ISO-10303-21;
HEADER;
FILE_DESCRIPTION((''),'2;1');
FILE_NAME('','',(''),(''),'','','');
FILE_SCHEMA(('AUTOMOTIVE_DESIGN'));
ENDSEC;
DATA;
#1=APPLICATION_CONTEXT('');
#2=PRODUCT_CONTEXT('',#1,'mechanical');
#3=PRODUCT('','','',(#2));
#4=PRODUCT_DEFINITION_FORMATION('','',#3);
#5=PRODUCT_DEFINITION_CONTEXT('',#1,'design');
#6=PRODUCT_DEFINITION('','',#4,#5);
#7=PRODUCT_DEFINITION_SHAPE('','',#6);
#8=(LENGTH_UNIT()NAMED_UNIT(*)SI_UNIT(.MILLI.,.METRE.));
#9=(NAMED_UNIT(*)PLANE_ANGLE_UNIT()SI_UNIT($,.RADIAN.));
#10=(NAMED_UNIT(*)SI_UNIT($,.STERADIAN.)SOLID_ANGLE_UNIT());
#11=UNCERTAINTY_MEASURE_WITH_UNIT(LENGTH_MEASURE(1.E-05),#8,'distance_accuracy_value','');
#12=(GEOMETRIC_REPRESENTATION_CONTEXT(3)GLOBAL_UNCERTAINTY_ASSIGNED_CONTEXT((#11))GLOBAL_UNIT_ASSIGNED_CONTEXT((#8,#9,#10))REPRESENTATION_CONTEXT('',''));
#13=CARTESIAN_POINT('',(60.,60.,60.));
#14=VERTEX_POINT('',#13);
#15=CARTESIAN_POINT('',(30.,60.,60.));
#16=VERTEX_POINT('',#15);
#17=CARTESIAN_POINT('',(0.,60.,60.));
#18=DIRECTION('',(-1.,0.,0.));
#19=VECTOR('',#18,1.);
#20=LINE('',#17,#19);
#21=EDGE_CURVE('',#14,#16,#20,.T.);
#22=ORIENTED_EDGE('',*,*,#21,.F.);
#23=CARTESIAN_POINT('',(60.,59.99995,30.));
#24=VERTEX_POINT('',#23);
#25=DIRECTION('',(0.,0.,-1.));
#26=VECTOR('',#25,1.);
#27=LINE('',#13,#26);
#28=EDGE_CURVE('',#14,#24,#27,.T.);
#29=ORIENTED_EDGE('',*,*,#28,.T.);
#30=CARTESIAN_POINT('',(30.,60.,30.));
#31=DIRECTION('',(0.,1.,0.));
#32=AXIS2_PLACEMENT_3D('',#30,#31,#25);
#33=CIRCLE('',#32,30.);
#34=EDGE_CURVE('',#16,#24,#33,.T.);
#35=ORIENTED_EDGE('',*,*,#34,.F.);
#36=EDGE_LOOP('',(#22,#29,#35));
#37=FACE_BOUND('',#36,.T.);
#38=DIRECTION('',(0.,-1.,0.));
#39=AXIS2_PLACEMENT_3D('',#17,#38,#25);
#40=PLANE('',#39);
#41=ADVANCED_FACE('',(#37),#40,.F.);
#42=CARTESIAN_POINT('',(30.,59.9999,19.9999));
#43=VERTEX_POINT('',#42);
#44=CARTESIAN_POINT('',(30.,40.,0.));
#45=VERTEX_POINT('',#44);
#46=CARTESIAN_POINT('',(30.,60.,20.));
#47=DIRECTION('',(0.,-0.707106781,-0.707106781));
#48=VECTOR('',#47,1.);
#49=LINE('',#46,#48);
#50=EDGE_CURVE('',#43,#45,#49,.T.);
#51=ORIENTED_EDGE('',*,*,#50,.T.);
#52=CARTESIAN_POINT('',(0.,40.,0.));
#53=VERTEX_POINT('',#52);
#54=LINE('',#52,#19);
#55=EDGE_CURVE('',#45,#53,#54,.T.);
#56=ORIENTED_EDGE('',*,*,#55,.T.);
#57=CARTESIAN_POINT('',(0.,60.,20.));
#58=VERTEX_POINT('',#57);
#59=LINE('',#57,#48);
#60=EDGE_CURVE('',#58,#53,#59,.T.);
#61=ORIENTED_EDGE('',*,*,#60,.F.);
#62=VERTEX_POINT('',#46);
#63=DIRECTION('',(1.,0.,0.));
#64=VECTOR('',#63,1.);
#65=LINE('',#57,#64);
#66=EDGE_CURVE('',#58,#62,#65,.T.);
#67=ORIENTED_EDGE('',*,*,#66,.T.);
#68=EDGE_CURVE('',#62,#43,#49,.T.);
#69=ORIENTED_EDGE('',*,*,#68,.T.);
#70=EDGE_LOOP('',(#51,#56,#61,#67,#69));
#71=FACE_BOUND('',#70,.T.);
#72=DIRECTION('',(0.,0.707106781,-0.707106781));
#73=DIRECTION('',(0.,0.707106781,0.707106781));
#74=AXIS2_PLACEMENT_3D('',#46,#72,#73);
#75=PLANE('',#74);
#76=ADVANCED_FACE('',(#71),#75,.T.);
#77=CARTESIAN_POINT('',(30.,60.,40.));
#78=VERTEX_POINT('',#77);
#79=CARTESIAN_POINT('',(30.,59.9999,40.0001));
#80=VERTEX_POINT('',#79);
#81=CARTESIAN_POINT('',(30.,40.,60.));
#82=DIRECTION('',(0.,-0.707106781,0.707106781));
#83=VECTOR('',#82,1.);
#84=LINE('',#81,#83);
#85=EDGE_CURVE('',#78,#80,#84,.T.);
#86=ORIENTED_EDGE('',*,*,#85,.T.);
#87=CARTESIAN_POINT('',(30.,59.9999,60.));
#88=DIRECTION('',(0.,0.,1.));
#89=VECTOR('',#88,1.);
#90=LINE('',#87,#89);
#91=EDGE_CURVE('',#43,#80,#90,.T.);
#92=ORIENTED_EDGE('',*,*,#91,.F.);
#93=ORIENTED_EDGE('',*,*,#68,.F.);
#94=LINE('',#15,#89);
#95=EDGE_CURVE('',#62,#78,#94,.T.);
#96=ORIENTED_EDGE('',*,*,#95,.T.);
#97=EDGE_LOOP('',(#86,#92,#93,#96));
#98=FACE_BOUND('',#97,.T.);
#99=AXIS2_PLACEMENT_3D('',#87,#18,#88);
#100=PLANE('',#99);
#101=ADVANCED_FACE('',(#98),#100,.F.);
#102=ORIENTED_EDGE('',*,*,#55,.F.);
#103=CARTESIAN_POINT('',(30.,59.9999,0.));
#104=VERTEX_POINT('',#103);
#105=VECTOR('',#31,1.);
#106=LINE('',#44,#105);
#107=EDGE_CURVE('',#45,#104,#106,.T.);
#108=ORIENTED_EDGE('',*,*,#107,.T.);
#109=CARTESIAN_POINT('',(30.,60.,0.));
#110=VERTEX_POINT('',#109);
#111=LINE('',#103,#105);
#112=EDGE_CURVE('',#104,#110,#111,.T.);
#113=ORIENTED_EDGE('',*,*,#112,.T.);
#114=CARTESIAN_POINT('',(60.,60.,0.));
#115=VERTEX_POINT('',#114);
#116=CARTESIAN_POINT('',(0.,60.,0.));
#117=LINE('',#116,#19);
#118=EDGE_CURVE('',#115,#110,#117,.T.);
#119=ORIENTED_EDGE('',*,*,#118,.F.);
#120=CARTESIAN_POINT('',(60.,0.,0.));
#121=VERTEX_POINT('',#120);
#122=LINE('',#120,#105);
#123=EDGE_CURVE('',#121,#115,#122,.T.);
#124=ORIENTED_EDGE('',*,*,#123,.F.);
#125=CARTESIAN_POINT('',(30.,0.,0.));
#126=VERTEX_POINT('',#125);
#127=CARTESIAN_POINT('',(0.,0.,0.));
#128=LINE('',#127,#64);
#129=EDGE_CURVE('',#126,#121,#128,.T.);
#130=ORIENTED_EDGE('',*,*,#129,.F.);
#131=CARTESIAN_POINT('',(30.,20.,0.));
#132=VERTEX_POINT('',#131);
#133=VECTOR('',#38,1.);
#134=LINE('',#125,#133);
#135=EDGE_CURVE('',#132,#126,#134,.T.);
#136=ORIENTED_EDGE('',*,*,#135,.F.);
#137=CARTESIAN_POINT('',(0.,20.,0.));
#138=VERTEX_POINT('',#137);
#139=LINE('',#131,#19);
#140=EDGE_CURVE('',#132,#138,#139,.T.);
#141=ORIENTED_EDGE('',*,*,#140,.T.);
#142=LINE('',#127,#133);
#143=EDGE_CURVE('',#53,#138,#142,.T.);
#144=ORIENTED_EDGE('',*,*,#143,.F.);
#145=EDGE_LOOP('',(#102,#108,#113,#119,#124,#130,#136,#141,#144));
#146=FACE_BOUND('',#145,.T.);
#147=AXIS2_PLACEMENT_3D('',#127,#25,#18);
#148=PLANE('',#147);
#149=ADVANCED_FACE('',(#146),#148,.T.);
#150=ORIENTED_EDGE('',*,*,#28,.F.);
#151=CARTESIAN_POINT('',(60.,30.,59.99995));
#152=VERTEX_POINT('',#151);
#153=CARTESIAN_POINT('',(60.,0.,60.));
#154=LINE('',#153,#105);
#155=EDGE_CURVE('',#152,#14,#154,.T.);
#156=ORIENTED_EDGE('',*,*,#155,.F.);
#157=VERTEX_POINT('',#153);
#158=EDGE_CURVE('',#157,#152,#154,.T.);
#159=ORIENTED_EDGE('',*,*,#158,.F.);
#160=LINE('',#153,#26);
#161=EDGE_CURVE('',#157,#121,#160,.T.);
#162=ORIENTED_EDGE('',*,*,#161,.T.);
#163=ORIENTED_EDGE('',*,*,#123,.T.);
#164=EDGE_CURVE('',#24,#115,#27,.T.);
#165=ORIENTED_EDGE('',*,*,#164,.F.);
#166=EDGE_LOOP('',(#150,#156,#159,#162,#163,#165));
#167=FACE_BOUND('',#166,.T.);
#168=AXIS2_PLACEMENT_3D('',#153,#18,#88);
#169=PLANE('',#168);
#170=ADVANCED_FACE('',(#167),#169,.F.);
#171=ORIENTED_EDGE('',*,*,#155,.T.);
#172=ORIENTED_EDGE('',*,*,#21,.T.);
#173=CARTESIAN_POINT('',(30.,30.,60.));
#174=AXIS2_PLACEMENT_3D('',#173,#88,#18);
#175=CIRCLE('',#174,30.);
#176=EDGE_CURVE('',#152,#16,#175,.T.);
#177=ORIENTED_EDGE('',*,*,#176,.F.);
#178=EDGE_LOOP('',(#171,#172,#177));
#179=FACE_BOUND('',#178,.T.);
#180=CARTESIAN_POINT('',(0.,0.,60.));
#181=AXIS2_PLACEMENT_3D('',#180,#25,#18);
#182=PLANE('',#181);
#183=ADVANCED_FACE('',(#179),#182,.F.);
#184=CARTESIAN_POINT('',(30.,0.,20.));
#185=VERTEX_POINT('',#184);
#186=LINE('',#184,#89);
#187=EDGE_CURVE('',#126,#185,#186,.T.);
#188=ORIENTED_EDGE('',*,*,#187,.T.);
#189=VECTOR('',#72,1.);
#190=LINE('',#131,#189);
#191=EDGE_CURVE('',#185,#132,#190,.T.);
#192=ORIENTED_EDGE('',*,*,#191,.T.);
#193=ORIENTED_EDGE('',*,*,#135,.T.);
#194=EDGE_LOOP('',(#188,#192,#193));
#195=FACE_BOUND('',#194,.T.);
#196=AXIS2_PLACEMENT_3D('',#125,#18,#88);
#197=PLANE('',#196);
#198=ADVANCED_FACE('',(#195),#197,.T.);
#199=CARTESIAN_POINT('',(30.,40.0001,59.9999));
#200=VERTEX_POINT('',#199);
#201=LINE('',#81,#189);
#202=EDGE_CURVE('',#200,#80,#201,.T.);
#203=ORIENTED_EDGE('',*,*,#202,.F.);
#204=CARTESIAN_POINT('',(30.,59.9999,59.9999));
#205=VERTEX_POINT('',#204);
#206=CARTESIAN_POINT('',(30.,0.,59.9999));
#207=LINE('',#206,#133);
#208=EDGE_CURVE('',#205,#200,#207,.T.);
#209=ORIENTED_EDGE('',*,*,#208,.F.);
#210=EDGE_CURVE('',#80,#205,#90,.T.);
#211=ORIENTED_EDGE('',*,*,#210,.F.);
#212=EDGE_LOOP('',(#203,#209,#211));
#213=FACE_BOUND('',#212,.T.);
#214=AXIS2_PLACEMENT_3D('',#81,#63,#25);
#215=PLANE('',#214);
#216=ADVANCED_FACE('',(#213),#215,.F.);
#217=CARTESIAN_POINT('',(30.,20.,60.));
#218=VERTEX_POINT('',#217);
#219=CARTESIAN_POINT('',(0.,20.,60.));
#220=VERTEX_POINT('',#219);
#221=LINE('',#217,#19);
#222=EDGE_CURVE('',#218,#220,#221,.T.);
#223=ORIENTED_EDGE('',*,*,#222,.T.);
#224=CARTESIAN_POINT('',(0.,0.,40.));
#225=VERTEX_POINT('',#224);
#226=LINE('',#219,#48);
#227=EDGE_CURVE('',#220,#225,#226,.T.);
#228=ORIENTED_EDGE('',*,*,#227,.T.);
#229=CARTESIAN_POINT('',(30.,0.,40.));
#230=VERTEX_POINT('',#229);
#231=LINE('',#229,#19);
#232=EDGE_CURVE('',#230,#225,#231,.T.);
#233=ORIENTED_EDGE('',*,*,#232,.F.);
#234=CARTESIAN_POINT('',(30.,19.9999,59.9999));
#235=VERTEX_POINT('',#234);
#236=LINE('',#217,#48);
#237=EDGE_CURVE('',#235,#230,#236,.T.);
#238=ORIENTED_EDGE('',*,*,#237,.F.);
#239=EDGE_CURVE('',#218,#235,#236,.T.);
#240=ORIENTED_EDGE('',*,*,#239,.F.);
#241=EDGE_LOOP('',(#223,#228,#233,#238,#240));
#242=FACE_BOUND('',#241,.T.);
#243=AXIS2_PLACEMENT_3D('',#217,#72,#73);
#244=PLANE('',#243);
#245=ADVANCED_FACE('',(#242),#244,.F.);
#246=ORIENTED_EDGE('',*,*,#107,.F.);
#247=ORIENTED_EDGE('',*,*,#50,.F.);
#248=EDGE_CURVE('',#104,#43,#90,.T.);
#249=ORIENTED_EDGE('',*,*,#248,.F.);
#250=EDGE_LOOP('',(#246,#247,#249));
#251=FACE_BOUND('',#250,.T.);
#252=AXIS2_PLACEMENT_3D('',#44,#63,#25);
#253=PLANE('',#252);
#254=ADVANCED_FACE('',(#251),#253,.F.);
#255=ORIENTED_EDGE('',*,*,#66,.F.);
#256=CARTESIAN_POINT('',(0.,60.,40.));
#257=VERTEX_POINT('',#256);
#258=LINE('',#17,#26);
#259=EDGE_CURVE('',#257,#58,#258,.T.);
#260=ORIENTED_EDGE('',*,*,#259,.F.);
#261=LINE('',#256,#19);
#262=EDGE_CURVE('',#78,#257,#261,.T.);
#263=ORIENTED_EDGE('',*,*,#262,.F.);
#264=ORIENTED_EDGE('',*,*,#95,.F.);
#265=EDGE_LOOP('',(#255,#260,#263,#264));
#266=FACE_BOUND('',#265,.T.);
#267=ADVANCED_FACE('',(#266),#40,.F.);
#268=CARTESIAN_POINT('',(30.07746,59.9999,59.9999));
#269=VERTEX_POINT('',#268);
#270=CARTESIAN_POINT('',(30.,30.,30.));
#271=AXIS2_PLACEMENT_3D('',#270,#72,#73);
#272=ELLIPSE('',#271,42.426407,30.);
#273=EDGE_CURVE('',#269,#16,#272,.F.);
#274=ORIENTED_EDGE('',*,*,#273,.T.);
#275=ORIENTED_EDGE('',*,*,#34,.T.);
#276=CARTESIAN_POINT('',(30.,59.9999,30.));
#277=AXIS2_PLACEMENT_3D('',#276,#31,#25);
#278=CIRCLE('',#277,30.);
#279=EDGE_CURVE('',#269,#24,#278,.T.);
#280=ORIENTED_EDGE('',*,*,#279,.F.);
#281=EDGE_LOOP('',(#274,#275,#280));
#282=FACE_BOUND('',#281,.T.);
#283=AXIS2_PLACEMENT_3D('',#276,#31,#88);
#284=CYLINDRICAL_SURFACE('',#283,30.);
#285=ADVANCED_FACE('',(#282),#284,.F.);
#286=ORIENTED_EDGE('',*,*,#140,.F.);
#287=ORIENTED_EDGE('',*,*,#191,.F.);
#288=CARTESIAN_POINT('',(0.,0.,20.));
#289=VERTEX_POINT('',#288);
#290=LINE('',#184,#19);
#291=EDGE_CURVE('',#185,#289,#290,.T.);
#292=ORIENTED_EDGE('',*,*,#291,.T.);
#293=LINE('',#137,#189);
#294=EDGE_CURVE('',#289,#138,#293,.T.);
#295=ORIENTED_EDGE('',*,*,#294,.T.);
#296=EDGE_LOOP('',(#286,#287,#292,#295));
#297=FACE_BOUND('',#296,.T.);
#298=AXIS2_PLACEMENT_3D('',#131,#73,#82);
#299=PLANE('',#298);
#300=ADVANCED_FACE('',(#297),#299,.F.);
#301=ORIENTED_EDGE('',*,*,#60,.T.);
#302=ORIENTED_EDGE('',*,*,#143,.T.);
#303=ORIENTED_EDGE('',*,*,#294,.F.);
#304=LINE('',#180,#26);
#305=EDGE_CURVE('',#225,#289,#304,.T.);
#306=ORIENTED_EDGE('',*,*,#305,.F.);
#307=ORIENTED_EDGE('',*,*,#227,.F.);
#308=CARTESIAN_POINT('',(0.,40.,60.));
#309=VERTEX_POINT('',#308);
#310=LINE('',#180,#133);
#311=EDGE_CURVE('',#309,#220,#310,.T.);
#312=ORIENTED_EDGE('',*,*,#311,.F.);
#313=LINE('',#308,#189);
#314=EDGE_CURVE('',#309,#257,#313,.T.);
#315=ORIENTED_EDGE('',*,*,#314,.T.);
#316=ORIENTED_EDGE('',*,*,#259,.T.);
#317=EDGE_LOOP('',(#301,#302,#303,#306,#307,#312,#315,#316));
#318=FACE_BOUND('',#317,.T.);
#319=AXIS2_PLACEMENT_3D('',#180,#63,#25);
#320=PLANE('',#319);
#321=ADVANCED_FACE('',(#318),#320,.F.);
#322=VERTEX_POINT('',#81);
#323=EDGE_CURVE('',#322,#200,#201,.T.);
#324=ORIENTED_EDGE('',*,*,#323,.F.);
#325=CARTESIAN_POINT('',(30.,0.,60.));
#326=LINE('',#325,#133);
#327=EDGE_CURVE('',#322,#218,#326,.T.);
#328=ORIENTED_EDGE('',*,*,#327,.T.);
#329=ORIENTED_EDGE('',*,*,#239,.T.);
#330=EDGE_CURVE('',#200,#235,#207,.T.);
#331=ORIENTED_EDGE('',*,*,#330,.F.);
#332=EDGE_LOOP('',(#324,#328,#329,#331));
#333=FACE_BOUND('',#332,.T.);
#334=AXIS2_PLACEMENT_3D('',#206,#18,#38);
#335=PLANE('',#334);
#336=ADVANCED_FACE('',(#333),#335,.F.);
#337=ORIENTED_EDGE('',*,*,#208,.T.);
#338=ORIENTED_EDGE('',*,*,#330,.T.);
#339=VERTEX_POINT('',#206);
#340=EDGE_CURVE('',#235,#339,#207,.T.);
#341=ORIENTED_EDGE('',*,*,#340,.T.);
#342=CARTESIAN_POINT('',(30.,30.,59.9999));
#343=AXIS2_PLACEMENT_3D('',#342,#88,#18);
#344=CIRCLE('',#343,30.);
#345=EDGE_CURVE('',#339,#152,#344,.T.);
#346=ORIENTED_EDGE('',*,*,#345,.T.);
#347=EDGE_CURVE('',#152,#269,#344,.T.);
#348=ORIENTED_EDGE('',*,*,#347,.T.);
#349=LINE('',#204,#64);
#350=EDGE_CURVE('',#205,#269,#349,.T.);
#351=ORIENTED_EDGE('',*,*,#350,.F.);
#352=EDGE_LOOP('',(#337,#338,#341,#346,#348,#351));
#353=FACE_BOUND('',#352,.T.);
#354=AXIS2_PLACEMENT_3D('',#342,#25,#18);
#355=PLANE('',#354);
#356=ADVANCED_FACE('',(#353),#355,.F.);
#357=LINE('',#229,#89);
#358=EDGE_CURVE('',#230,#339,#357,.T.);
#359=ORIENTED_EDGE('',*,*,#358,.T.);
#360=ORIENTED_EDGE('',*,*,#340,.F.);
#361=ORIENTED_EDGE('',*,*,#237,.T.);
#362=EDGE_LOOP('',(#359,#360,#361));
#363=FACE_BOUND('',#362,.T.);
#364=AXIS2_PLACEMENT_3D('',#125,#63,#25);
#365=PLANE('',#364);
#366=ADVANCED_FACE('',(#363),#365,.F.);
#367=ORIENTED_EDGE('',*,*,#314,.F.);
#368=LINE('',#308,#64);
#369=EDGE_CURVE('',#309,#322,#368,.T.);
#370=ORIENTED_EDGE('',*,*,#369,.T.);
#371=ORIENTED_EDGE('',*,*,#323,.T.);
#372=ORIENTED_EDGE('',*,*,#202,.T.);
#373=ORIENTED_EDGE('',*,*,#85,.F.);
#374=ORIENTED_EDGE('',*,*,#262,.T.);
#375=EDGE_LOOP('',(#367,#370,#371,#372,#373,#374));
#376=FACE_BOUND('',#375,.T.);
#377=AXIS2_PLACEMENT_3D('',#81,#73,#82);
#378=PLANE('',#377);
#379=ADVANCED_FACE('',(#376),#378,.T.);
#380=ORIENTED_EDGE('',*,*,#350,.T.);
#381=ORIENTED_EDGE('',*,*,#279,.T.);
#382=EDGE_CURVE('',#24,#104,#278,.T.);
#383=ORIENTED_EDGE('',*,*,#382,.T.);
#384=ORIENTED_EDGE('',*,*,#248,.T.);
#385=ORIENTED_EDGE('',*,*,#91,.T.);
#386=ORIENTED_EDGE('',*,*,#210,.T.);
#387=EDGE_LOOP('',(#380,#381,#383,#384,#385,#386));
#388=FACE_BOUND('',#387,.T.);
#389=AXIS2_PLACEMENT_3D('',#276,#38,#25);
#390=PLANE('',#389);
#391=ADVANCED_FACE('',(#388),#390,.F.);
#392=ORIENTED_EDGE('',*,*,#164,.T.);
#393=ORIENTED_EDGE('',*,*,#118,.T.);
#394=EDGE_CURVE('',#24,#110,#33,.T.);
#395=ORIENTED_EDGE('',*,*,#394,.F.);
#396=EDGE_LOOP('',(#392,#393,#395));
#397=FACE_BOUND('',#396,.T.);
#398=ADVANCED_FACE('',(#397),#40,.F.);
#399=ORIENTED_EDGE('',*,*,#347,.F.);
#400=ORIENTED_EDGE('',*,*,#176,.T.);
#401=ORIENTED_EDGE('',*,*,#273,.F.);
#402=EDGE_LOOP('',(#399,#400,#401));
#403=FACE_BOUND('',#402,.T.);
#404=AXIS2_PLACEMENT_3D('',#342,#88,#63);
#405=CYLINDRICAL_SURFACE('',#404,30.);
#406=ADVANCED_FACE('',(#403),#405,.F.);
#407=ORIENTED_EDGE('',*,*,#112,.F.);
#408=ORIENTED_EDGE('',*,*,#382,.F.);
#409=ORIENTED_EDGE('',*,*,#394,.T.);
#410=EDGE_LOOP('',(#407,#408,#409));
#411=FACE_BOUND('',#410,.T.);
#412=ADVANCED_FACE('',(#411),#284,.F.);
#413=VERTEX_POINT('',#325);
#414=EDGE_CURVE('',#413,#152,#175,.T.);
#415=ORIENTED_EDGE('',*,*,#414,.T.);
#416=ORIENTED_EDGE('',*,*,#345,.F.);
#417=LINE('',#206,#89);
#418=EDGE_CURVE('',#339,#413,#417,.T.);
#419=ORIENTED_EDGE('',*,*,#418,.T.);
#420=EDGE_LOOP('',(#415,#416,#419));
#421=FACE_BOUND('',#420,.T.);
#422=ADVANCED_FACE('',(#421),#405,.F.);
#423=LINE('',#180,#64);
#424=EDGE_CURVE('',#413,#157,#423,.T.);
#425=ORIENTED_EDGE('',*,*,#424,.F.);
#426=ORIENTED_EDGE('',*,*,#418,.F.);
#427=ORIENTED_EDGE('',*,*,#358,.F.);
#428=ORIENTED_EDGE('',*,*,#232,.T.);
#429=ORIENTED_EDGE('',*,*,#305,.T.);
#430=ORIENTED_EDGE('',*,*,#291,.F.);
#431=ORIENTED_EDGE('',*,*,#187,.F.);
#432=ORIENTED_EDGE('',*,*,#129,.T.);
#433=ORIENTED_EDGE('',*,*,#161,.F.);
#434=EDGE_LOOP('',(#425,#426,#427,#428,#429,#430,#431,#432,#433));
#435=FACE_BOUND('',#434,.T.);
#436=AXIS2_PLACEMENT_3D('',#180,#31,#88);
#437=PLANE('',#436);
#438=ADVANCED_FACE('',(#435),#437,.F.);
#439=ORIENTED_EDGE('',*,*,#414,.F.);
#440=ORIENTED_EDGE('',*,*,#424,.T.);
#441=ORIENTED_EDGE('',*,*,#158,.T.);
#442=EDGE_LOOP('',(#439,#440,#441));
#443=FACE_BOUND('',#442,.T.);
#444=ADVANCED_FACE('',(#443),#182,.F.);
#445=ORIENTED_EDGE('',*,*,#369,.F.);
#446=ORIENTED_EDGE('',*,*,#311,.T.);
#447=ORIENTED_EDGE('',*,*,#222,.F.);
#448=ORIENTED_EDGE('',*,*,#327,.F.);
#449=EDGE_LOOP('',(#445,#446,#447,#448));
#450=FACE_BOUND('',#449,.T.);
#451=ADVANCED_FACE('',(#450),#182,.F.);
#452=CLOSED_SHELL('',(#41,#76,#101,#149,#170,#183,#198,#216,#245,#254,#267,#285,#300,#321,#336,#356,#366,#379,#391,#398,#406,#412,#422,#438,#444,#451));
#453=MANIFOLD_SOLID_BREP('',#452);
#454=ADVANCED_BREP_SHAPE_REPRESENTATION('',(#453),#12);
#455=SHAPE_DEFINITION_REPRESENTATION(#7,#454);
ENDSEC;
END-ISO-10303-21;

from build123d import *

# Parameters (mm, degrees)
SKETCH1_W           = 60
SKETCH1_H           = 60
BOSS_EXTRUDE1_DEPTH = 60
SKETCH3_W           = 30
SKETCH3_H           = 20
CUT_EXTRUDE1_DEPTH  = 20
SKETCH4_W           = 30
SKETCH4_H           = 20
CUT_EXTRUDE2_DEPTH  = 20
BOSS_EXTRUDE2_DEPTH = 30
CUT_EXTRUDE3_DEPTH  = 30
CUT_EXTRUDE4_DEPTH  = 30
CUT_EXTRUDE6_DEPTH  = 0.0001
CUT_EXTRUDE7_DEPTH  = 0.0001


with BuildPart() as part:
    # Sketch1 → Boss-Extrude1 (new body)
    with BuildSketch(Plane.XY):
        with Locations((30, 30)):
            Rectangle(SKETCH1_W, SKETCH1_H)
    extrude(amount=BOSS_EXTRUDE1_DEPTH)

    # Sketch3 → Cut-Extrude1 (cut)
    with BuildSketch(Plane(origin=(0, 60, 0), x_dir=(1, 0, 0), z_dir=(0, 1, 0))):
        with Locations((15, -10)):
            Rectangle(SKETCH3_W, SKETCH3_H)
    extrude(amount=-CUT_EXTRUDE1_DEPTH, mode=Mode.SUBTRACT)

    # Sketch4 → Cut-Extrude2 (cut)
    with BuildSketch(Plane(origin=(0, 60, 0), x_dir=(1, 0, 0), z_dir=(0, 1, 0))):
        with Locations((15, -50)):
            Rectangle(SKETCH4_W, SKETCH4_H)
    extrude(amount=-CUT_EXTRUDE2_DEPTH, mode=Mode.SUBTRACT)

    # Sketch5 → Boss-Extrude2 (add)
    with BuildSketch(Plane.ZY):
        Polygon((60, 40), (40, 60), (40, 40), align=None)
        Polygon((0, 40), (20, 40), (20, 60), align=None)
    extrude(amount=-BOSS_EXTRUDE2_DEPTH)

    # Sketch6 → Cut-Extrude3 (cut)
    with BuildSketch(Plane.ZY):
        Polygon((60, 20), (40, 0), (60, 0), align=None)
    extrude(amount=-CUT_EXTRUDE3_DEPTH, mode=Mode.SUBTRACT)

    # Sketch7 → Cut-Extrude4 (cut)
    with BuildSketch(Plane.ZY):
        Polygon((0, 20), (20, 0), (0, 0), align=None)
    extrude(amount=-CUT_EXTRUDE4_DEPTH, mode=Mode.SUBTRACT)

    # Sketch8 → Cut-Extrude6 (cut)
    with BuildSketch(Plane(origin=(0, 60, 0), x_dir=(1, 0, 0), z_dir=(0, 1, 0))):
        with BuildLine():
            Line((30, -60), (30, 0))
            ThreePointArc((30, 0), (60, -30), (30, -60))
        make_face()
    extrude(amount=-CUT_EXTRUDE6_DEPTH, mode=Mode.SUBTRACT)

    # Sketch9 → Cut-Extrude7 (cut)
    with BuildSketch(Plane.XY.offset(60)):
        with BuildLine():
            Line((30, 0), (30, 60))
            ThreePointArc((30, 60), (60, 30), (30, 0))
        make_face()
    extrude(amount=-CUT_EXTRUDE7_DEPTH, mode=Mode.SUBTRACT)


solid = part.part
